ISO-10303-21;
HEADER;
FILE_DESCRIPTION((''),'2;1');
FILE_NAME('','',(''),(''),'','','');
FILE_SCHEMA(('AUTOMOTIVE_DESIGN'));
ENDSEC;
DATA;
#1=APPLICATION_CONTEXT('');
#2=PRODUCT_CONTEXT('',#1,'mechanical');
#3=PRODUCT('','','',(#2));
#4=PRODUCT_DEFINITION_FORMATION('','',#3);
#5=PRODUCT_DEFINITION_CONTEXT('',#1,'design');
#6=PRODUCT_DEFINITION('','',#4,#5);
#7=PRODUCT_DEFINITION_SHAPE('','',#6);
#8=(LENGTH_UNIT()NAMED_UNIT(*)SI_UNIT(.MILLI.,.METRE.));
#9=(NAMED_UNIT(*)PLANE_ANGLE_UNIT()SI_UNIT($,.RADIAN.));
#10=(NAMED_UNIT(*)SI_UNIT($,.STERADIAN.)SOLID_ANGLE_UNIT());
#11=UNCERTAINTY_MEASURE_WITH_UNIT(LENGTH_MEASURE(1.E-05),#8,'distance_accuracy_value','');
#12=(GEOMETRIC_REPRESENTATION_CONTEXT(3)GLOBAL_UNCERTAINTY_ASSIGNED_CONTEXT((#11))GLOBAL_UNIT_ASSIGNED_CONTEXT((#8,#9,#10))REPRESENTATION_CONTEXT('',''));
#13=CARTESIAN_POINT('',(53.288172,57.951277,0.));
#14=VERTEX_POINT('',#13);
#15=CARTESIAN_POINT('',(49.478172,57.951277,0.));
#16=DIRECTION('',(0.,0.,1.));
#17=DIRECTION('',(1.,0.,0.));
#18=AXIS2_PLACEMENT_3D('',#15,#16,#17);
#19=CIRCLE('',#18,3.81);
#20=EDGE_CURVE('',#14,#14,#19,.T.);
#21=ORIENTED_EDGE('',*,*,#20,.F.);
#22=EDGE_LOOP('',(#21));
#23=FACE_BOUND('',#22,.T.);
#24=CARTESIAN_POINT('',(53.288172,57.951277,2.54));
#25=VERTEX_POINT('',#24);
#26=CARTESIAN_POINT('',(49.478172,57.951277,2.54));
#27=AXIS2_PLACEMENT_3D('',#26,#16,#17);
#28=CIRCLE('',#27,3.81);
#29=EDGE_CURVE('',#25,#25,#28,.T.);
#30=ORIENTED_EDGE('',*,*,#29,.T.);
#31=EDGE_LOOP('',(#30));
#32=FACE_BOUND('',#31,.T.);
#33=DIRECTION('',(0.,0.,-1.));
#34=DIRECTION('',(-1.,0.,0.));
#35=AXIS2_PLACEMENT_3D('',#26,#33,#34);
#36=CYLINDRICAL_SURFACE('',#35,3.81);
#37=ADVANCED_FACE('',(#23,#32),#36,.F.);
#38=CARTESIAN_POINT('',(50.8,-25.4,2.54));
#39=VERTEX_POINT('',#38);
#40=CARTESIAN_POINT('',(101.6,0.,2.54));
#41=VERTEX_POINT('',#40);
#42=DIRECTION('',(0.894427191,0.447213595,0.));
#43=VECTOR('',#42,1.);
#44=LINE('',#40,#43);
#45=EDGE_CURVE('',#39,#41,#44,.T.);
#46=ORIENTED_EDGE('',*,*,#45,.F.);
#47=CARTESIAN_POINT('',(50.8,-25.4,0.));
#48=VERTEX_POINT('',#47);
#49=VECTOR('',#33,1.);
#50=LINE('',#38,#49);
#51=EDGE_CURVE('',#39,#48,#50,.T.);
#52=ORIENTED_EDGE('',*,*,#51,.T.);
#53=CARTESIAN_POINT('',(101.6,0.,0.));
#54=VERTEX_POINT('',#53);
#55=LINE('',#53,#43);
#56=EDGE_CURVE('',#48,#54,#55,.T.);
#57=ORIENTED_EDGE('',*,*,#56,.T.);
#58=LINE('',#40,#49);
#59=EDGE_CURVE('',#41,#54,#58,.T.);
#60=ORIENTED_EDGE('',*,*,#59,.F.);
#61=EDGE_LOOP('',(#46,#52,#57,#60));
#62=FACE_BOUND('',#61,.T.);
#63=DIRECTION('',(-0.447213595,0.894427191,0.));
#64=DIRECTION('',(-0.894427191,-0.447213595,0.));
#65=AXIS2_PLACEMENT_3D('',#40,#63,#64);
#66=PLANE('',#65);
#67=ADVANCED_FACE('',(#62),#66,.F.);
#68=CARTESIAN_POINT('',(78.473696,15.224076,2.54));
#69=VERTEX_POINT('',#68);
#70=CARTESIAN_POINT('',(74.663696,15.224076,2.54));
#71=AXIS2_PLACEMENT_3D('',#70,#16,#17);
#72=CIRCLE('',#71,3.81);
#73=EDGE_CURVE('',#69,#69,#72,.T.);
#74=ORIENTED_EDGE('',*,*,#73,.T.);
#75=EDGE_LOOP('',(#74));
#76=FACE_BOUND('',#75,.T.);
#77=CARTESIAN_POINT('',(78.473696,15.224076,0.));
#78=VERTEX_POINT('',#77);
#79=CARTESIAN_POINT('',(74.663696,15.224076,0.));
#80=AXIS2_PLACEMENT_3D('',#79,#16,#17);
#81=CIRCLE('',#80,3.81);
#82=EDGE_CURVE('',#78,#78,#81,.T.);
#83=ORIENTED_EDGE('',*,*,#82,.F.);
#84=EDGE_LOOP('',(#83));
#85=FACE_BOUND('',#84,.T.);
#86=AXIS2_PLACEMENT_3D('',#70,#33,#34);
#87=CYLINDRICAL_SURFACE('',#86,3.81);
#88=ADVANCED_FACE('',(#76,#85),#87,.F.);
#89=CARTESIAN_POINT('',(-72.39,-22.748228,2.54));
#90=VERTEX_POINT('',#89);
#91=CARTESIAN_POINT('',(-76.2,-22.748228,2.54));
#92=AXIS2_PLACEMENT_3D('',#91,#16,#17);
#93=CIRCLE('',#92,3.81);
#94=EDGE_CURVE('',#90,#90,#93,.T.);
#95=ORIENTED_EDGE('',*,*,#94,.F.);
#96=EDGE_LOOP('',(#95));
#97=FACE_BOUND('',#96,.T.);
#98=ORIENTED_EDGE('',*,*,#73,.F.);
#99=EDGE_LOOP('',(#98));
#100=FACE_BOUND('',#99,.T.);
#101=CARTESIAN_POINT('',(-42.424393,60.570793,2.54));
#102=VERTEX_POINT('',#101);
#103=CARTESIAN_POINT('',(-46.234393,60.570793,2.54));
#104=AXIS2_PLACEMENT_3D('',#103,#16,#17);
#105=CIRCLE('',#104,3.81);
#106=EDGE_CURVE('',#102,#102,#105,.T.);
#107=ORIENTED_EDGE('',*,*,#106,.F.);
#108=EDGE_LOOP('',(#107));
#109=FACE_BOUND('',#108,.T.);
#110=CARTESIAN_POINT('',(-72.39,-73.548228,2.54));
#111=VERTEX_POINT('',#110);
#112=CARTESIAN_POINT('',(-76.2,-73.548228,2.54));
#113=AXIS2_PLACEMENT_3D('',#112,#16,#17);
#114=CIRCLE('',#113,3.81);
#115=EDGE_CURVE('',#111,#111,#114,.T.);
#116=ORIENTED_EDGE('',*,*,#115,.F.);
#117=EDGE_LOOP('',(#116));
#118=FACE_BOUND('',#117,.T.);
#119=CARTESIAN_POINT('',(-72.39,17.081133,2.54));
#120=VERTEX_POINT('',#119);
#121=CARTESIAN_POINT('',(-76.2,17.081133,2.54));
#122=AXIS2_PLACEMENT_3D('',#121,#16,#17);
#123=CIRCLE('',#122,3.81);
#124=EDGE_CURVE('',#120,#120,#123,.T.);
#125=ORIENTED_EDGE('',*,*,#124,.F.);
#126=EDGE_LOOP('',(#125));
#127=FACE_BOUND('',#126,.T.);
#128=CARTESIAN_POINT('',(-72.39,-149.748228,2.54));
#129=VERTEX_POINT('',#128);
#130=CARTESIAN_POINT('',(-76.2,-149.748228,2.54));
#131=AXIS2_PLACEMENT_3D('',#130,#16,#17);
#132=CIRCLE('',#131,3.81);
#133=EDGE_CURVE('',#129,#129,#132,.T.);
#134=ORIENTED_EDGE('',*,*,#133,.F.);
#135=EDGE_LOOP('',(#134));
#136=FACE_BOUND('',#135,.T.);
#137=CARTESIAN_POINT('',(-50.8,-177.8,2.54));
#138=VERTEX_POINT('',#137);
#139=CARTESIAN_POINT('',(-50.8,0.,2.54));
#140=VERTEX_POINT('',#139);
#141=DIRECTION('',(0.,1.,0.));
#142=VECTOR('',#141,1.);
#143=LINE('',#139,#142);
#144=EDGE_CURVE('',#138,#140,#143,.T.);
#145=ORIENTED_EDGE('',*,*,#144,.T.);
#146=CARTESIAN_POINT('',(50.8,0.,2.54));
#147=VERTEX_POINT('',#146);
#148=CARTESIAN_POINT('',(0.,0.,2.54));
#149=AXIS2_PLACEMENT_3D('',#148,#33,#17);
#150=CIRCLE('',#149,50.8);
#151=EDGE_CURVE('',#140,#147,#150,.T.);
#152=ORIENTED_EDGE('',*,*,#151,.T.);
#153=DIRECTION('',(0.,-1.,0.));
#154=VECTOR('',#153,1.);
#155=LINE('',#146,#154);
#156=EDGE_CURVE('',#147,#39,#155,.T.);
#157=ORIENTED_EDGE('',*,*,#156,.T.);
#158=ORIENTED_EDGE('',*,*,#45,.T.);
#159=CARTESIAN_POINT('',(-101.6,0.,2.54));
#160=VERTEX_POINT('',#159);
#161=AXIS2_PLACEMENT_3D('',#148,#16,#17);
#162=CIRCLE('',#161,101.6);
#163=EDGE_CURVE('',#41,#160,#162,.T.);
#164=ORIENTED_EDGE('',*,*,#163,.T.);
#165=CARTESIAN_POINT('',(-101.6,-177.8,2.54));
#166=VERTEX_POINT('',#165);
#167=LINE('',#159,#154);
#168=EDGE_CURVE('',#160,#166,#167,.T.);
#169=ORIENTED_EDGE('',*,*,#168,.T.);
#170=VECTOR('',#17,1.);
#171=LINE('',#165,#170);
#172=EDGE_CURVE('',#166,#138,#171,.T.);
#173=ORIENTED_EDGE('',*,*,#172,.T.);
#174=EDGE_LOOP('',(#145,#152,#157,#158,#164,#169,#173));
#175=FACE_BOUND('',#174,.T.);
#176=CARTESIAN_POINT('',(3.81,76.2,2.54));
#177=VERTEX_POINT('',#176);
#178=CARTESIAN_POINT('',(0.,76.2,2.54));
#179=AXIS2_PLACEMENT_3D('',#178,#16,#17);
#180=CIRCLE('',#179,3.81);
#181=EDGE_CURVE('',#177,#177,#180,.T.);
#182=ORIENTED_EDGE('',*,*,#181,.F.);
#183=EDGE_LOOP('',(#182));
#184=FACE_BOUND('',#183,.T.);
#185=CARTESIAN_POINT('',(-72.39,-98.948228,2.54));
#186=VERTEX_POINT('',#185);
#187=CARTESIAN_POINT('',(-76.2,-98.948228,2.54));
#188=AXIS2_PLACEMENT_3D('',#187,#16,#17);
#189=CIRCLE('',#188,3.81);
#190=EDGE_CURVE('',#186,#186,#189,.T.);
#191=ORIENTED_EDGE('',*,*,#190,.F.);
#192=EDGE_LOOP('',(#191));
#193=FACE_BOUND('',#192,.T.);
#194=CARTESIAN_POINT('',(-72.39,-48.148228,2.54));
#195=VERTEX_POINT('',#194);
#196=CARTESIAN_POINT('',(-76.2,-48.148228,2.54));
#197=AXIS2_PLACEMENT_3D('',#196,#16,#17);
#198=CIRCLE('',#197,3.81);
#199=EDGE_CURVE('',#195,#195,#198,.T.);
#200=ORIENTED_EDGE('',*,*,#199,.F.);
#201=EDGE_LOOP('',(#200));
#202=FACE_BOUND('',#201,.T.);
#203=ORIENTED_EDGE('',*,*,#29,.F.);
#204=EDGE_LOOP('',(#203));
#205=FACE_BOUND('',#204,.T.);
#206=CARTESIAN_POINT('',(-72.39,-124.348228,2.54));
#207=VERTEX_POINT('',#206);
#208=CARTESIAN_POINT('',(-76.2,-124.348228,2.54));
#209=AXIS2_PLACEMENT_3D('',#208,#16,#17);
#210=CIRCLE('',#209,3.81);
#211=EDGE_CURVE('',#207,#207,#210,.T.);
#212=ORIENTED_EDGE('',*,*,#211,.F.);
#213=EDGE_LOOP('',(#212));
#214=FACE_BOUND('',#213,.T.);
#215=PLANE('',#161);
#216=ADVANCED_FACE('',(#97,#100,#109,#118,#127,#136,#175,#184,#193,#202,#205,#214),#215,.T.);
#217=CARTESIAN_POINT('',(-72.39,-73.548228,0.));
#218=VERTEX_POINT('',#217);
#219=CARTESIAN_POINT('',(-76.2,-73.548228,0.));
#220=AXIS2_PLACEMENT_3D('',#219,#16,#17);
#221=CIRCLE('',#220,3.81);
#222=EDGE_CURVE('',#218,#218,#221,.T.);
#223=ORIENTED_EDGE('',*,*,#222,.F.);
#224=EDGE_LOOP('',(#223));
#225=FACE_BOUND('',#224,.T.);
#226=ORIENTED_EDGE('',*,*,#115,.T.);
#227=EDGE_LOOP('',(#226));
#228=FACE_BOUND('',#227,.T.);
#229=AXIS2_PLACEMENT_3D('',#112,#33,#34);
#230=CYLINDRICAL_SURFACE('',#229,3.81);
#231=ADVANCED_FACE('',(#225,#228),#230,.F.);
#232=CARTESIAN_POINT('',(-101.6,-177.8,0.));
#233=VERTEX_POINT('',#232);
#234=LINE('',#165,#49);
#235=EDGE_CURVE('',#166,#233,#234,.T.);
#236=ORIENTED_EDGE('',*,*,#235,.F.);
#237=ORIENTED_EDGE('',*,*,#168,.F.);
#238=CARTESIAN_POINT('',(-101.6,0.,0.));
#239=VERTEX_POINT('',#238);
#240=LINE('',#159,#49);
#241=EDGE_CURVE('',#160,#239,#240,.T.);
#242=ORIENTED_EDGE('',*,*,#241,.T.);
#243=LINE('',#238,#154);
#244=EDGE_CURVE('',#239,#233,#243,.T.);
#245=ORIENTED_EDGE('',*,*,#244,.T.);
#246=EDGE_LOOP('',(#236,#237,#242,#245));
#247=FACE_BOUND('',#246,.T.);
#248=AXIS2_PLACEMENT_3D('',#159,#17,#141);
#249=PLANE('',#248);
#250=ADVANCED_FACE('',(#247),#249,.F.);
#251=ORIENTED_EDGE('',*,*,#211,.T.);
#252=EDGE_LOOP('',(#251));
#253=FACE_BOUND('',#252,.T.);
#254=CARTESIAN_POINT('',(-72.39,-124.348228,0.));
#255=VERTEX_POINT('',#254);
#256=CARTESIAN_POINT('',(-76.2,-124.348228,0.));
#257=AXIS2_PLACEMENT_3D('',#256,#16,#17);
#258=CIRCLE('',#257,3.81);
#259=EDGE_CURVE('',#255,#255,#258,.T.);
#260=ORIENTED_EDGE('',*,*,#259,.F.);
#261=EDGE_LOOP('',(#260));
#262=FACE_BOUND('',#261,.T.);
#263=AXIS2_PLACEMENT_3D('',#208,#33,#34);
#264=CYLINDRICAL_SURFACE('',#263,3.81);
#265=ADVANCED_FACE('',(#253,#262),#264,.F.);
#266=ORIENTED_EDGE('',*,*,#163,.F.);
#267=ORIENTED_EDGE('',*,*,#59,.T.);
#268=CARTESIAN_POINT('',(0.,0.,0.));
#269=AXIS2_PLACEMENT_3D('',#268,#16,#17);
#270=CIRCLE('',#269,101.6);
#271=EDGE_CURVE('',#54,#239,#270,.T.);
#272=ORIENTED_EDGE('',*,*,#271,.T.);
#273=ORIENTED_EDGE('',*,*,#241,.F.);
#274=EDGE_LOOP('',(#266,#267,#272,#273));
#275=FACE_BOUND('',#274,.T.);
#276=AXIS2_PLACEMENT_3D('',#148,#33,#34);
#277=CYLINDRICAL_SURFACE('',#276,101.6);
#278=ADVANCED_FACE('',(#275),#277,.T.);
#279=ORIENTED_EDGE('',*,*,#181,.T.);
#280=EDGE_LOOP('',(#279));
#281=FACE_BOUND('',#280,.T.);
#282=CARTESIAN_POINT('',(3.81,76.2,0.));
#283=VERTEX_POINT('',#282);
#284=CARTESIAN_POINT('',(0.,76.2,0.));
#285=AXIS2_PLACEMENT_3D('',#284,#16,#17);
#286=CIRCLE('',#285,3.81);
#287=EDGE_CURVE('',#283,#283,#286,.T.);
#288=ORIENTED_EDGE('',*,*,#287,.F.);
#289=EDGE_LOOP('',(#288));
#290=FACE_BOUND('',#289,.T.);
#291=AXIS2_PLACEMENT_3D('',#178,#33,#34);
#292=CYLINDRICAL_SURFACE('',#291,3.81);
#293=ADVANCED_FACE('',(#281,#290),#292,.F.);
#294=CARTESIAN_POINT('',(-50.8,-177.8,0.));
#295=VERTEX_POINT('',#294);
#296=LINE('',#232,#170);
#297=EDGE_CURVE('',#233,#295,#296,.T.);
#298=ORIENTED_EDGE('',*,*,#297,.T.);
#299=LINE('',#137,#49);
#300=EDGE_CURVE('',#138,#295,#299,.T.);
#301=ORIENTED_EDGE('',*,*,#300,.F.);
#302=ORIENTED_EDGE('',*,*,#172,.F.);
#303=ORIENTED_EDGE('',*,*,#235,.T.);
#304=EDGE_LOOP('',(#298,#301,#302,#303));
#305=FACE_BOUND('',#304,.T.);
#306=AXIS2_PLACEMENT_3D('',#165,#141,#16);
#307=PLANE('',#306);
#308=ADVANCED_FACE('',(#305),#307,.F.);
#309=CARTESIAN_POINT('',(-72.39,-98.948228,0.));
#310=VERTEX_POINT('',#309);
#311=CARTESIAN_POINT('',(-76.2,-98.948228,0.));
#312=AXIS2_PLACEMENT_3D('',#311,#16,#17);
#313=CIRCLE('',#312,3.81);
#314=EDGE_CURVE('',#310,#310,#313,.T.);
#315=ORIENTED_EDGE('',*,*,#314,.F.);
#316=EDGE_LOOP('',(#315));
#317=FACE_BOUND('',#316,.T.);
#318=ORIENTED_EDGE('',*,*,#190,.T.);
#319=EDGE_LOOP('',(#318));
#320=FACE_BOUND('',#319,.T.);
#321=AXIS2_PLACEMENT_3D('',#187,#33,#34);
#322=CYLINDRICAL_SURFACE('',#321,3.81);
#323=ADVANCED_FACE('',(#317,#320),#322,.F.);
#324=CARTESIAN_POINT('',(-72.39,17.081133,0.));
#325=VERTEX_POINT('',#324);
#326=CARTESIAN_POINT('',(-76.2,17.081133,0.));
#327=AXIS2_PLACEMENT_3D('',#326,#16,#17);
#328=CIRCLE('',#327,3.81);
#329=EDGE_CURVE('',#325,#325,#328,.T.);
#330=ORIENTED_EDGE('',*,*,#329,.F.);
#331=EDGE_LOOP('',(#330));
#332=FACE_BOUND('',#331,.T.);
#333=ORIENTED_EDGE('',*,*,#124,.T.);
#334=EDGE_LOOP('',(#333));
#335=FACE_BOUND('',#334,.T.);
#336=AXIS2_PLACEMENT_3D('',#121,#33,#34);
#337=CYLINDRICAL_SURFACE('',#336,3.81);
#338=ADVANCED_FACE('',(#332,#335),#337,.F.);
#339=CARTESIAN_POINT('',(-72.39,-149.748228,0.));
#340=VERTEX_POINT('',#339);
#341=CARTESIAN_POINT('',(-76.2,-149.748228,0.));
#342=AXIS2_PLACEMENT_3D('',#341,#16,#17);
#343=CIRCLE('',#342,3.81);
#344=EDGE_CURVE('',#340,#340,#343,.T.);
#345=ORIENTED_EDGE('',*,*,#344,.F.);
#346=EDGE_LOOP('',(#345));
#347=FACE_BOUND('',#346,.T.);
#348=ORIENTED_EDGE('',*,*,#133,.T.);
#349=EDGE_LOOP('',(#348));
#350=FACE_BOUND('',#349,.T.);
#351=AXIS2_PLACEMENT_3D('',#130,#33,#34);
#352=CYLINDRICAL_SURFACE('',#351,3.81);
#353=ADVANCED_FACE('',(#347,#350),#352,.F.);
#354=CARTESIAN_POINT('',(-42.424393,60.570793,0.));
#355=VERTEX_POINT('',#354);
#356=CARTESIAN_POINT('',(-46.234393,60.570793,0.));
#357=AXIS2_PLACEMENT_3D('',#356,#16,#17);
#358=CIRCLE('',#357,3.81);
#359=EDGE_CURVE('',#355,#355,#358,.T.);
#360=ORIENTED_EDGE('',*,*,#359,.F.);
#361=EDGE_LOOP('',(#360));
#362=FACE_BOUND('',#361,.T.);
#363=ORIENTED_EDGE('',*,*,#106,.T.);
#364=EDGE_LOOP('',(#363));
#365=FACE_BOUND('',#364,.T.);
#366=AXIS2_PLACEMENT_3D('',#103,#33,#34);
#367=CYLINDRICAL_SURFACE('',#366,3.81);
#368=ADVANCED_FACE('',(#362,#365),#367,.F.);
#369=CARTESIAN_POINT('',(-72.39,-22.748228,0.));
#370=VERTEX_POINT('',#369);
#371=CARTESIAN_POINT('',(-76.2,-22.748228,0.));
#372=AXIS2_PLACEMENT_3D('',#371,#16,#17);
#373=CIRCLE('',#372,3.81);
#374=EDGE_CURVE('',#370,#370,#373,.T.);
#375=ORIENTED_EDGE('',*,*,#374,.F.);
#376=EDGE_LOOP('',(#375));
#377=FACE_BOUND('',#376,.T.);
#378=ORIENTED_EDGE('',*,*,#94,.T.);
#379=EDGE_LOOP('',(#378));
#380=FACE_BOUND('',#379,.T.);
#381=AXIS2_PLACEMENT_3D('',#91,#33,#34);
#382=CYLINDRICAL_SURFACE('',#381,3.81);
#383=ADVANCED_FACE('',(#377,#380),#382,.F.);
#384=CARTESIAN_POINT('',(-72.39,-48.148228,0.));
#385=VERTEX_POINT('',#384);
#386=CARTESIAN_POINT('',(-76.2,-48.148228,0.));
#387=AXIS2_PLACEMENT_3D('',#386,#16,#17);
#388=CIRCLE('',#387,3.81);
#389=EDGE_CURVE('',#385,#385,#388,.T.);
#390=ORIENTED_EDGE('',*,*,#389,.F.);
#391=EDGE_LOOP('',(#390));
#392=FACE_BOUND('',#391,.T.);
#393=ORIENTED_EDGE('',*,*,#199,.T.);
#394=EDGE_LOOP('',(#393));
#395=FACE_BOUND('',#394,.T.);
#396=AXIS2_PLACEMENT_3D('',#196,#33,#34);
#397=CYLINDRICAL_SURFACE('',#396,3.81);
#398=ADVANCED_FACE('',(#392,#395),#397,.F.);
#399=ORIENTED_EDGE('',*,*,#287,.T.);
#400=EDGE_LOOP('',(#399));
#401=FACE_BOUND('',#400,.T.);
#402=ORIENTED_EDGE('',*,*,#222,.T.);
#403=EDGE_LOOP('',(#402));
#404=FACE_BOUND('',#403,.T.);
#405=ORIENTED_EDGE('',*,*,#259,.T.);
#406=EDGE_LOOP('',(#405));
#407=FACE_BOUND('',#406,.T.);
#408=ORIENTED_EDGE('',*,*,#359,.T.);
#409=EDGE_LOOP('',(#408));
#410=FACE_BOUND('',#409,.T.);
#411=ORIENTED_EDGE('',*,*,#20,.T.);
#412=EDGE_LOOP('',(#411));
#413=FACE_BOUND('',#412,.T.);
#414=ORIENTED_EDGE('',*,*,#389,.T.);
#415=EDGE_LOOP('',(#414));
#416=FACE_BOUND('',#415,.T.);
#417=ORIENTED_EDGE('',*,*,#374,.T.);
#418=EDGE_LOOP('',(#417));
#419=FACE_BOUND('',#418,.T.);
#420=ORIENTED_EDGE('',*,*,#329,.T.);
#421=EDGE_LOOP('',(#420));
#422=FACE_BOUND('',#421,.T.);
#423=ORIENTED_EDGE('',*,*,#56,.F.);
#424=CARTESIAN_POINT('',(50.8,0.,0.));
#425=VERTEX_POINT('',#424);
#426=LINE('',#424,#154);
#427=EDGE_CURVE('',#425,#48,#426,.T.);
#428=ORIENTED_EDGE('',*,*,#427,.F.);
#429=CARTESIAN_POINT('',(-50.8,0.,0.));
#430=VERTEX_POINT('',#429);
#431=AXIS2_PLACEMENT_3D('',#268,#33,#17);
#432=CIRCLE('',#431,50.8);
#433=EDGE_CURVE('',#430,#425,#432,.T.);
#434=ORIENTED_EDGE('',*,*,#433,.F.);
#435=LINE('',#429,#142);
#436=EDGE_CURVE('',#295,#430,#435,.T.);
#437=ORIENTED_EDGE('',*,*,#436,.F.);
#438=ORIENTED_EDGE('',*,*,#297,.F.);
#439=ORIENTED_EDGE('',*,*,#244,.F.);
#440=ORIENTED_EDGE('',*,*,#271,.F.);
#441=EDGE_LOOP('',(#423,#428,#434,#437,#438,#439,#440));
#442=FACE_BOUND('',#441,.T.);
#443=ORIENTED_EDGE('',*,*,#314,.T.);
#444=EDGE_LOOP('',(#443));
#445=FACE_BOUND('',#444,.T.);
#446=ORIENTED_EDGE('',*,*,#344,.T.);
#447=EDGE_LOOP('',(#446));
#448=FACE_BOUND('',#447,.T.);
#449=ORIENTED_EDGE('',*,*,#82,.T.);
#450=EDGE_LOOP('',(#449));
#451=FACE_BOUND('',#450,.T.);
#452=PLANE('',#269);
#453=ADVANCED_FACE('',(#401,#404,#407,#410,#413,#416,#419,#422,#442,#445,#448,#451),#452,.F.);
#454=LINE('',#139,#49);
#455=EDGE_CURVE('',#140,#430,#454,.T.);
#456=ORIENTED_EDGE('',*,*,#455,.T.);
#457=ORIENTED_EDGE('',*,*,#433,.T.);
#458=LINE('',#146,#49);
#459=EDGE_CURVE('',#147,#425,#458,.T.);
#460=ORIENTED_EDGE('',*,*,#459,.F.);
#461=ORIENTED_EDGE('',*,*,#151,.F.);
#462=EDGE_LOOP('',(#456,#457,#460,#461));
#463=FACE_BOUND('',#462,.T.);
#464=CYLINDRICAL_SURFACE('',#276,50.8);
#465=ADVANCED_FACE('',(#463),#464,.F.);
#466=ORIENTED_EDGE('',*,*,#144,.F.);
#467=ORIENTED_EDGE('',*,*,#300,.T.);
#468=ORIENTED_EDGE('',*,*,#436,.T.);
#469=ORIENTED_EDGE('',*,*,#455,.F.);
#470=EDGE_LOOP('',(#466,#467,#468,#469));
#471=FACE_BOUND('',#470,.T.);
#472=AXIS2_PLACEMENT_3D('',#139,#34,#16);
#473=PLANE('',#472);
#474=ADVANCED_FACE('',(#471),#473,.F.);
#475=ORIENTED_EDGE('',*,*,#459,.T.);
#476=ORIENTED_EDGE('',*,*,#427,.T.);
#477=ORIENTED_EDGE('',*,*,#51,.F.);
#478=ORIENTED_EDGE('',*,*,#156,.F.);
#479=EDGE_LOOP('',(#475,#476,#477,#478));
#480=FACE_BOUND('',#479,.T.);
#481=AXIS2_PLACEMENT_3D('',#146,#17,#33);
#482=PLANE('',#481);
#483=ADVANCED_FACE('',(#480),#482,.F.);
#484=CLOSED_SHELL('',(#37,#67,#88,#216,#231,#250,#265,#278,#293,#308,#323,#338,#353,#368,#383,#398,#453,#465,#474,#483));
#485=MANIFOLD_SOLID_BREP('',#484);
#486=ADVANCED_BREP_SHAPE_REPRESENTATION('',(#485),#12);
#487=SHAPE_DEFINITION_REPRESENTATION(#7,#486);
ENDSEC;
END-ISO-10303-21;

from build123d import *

# Parameters (mm, degrees)
SKETCH1_R           = 3.81
BOSS_EXTRUDE1_DEPTH = 2.54


with BuildPart() as part:
    # Sketch1 → Boss-Extrude1 (new body)
    with BuildSketch(Plane.XY):
        with BuildLine():
            Line((-101.6, 0), (-101.6, -177.8))
            Line((-101.6, -177.8), (-50.8, -177.8))
            Line((-50.8, -177.8), (-50.8, 0))
            ThreePointArc((-50.8, 0), (0, 50.8), (50.8, 0))
            Line((50.8, 0), (50.8, -25.4))
            Line((50.8, -25.4), (101.6, 0))
            ThreePointArc((101.6, 0), (0, 101.6), (-101.6, 0))
        make_face()
        with Locations((0, 76.2)):
            Circle(SKETCH1_R, mode=Mode.SUBTRACT)
        with Locations((74.66369609, 15.224075871)):
            Circle(SKETCH1_R, mode=Mode.SUBTRACT)
        with Locations((49.478172332, 57.951276627)):
            Circle(SKETCH1_R, mode=Mode.SUBTRACT)
        with Locations((-46.234392701, 60.570792727)):
            Circle(SKETCH1_R, mode=Mode.SUBTRACT)
        with Locations((-76.2, 17.081132641)):
            Circle(SKETCH1_R, mode=Mode.SUBTRACT)
        with Locations((-76.2, -22.74822838)):
            Circle(SKETCH1_R, mode=Mode.SUBTRACT)
        with Locations((-76.2, -48.14822838)):
            Circle(SKETCH1_R, mode=Mode.SUBTRACT)
        with Locations((-76.2, -73.54822838)):
            Circle(SKETCH1_R, mode=Mode.SUBTRACT)
        with Locations((-76.2, -98.94822838)):
            Circle(SKETCH1_R, mode=Mode.SUBTRACT)
        with Locations((-76.2, -124.34822838)):
            Circle(SKETCH1_R, mode=Mode.SUBTRACT)
        with Locations((-76.2, -149.74822838)):
            Circle(SKETCH1_R, mode=Mode.SUBTRACT)
    extrude(amount=BOSS_EXTRUDE1_DEPTH)


solid = part.part
